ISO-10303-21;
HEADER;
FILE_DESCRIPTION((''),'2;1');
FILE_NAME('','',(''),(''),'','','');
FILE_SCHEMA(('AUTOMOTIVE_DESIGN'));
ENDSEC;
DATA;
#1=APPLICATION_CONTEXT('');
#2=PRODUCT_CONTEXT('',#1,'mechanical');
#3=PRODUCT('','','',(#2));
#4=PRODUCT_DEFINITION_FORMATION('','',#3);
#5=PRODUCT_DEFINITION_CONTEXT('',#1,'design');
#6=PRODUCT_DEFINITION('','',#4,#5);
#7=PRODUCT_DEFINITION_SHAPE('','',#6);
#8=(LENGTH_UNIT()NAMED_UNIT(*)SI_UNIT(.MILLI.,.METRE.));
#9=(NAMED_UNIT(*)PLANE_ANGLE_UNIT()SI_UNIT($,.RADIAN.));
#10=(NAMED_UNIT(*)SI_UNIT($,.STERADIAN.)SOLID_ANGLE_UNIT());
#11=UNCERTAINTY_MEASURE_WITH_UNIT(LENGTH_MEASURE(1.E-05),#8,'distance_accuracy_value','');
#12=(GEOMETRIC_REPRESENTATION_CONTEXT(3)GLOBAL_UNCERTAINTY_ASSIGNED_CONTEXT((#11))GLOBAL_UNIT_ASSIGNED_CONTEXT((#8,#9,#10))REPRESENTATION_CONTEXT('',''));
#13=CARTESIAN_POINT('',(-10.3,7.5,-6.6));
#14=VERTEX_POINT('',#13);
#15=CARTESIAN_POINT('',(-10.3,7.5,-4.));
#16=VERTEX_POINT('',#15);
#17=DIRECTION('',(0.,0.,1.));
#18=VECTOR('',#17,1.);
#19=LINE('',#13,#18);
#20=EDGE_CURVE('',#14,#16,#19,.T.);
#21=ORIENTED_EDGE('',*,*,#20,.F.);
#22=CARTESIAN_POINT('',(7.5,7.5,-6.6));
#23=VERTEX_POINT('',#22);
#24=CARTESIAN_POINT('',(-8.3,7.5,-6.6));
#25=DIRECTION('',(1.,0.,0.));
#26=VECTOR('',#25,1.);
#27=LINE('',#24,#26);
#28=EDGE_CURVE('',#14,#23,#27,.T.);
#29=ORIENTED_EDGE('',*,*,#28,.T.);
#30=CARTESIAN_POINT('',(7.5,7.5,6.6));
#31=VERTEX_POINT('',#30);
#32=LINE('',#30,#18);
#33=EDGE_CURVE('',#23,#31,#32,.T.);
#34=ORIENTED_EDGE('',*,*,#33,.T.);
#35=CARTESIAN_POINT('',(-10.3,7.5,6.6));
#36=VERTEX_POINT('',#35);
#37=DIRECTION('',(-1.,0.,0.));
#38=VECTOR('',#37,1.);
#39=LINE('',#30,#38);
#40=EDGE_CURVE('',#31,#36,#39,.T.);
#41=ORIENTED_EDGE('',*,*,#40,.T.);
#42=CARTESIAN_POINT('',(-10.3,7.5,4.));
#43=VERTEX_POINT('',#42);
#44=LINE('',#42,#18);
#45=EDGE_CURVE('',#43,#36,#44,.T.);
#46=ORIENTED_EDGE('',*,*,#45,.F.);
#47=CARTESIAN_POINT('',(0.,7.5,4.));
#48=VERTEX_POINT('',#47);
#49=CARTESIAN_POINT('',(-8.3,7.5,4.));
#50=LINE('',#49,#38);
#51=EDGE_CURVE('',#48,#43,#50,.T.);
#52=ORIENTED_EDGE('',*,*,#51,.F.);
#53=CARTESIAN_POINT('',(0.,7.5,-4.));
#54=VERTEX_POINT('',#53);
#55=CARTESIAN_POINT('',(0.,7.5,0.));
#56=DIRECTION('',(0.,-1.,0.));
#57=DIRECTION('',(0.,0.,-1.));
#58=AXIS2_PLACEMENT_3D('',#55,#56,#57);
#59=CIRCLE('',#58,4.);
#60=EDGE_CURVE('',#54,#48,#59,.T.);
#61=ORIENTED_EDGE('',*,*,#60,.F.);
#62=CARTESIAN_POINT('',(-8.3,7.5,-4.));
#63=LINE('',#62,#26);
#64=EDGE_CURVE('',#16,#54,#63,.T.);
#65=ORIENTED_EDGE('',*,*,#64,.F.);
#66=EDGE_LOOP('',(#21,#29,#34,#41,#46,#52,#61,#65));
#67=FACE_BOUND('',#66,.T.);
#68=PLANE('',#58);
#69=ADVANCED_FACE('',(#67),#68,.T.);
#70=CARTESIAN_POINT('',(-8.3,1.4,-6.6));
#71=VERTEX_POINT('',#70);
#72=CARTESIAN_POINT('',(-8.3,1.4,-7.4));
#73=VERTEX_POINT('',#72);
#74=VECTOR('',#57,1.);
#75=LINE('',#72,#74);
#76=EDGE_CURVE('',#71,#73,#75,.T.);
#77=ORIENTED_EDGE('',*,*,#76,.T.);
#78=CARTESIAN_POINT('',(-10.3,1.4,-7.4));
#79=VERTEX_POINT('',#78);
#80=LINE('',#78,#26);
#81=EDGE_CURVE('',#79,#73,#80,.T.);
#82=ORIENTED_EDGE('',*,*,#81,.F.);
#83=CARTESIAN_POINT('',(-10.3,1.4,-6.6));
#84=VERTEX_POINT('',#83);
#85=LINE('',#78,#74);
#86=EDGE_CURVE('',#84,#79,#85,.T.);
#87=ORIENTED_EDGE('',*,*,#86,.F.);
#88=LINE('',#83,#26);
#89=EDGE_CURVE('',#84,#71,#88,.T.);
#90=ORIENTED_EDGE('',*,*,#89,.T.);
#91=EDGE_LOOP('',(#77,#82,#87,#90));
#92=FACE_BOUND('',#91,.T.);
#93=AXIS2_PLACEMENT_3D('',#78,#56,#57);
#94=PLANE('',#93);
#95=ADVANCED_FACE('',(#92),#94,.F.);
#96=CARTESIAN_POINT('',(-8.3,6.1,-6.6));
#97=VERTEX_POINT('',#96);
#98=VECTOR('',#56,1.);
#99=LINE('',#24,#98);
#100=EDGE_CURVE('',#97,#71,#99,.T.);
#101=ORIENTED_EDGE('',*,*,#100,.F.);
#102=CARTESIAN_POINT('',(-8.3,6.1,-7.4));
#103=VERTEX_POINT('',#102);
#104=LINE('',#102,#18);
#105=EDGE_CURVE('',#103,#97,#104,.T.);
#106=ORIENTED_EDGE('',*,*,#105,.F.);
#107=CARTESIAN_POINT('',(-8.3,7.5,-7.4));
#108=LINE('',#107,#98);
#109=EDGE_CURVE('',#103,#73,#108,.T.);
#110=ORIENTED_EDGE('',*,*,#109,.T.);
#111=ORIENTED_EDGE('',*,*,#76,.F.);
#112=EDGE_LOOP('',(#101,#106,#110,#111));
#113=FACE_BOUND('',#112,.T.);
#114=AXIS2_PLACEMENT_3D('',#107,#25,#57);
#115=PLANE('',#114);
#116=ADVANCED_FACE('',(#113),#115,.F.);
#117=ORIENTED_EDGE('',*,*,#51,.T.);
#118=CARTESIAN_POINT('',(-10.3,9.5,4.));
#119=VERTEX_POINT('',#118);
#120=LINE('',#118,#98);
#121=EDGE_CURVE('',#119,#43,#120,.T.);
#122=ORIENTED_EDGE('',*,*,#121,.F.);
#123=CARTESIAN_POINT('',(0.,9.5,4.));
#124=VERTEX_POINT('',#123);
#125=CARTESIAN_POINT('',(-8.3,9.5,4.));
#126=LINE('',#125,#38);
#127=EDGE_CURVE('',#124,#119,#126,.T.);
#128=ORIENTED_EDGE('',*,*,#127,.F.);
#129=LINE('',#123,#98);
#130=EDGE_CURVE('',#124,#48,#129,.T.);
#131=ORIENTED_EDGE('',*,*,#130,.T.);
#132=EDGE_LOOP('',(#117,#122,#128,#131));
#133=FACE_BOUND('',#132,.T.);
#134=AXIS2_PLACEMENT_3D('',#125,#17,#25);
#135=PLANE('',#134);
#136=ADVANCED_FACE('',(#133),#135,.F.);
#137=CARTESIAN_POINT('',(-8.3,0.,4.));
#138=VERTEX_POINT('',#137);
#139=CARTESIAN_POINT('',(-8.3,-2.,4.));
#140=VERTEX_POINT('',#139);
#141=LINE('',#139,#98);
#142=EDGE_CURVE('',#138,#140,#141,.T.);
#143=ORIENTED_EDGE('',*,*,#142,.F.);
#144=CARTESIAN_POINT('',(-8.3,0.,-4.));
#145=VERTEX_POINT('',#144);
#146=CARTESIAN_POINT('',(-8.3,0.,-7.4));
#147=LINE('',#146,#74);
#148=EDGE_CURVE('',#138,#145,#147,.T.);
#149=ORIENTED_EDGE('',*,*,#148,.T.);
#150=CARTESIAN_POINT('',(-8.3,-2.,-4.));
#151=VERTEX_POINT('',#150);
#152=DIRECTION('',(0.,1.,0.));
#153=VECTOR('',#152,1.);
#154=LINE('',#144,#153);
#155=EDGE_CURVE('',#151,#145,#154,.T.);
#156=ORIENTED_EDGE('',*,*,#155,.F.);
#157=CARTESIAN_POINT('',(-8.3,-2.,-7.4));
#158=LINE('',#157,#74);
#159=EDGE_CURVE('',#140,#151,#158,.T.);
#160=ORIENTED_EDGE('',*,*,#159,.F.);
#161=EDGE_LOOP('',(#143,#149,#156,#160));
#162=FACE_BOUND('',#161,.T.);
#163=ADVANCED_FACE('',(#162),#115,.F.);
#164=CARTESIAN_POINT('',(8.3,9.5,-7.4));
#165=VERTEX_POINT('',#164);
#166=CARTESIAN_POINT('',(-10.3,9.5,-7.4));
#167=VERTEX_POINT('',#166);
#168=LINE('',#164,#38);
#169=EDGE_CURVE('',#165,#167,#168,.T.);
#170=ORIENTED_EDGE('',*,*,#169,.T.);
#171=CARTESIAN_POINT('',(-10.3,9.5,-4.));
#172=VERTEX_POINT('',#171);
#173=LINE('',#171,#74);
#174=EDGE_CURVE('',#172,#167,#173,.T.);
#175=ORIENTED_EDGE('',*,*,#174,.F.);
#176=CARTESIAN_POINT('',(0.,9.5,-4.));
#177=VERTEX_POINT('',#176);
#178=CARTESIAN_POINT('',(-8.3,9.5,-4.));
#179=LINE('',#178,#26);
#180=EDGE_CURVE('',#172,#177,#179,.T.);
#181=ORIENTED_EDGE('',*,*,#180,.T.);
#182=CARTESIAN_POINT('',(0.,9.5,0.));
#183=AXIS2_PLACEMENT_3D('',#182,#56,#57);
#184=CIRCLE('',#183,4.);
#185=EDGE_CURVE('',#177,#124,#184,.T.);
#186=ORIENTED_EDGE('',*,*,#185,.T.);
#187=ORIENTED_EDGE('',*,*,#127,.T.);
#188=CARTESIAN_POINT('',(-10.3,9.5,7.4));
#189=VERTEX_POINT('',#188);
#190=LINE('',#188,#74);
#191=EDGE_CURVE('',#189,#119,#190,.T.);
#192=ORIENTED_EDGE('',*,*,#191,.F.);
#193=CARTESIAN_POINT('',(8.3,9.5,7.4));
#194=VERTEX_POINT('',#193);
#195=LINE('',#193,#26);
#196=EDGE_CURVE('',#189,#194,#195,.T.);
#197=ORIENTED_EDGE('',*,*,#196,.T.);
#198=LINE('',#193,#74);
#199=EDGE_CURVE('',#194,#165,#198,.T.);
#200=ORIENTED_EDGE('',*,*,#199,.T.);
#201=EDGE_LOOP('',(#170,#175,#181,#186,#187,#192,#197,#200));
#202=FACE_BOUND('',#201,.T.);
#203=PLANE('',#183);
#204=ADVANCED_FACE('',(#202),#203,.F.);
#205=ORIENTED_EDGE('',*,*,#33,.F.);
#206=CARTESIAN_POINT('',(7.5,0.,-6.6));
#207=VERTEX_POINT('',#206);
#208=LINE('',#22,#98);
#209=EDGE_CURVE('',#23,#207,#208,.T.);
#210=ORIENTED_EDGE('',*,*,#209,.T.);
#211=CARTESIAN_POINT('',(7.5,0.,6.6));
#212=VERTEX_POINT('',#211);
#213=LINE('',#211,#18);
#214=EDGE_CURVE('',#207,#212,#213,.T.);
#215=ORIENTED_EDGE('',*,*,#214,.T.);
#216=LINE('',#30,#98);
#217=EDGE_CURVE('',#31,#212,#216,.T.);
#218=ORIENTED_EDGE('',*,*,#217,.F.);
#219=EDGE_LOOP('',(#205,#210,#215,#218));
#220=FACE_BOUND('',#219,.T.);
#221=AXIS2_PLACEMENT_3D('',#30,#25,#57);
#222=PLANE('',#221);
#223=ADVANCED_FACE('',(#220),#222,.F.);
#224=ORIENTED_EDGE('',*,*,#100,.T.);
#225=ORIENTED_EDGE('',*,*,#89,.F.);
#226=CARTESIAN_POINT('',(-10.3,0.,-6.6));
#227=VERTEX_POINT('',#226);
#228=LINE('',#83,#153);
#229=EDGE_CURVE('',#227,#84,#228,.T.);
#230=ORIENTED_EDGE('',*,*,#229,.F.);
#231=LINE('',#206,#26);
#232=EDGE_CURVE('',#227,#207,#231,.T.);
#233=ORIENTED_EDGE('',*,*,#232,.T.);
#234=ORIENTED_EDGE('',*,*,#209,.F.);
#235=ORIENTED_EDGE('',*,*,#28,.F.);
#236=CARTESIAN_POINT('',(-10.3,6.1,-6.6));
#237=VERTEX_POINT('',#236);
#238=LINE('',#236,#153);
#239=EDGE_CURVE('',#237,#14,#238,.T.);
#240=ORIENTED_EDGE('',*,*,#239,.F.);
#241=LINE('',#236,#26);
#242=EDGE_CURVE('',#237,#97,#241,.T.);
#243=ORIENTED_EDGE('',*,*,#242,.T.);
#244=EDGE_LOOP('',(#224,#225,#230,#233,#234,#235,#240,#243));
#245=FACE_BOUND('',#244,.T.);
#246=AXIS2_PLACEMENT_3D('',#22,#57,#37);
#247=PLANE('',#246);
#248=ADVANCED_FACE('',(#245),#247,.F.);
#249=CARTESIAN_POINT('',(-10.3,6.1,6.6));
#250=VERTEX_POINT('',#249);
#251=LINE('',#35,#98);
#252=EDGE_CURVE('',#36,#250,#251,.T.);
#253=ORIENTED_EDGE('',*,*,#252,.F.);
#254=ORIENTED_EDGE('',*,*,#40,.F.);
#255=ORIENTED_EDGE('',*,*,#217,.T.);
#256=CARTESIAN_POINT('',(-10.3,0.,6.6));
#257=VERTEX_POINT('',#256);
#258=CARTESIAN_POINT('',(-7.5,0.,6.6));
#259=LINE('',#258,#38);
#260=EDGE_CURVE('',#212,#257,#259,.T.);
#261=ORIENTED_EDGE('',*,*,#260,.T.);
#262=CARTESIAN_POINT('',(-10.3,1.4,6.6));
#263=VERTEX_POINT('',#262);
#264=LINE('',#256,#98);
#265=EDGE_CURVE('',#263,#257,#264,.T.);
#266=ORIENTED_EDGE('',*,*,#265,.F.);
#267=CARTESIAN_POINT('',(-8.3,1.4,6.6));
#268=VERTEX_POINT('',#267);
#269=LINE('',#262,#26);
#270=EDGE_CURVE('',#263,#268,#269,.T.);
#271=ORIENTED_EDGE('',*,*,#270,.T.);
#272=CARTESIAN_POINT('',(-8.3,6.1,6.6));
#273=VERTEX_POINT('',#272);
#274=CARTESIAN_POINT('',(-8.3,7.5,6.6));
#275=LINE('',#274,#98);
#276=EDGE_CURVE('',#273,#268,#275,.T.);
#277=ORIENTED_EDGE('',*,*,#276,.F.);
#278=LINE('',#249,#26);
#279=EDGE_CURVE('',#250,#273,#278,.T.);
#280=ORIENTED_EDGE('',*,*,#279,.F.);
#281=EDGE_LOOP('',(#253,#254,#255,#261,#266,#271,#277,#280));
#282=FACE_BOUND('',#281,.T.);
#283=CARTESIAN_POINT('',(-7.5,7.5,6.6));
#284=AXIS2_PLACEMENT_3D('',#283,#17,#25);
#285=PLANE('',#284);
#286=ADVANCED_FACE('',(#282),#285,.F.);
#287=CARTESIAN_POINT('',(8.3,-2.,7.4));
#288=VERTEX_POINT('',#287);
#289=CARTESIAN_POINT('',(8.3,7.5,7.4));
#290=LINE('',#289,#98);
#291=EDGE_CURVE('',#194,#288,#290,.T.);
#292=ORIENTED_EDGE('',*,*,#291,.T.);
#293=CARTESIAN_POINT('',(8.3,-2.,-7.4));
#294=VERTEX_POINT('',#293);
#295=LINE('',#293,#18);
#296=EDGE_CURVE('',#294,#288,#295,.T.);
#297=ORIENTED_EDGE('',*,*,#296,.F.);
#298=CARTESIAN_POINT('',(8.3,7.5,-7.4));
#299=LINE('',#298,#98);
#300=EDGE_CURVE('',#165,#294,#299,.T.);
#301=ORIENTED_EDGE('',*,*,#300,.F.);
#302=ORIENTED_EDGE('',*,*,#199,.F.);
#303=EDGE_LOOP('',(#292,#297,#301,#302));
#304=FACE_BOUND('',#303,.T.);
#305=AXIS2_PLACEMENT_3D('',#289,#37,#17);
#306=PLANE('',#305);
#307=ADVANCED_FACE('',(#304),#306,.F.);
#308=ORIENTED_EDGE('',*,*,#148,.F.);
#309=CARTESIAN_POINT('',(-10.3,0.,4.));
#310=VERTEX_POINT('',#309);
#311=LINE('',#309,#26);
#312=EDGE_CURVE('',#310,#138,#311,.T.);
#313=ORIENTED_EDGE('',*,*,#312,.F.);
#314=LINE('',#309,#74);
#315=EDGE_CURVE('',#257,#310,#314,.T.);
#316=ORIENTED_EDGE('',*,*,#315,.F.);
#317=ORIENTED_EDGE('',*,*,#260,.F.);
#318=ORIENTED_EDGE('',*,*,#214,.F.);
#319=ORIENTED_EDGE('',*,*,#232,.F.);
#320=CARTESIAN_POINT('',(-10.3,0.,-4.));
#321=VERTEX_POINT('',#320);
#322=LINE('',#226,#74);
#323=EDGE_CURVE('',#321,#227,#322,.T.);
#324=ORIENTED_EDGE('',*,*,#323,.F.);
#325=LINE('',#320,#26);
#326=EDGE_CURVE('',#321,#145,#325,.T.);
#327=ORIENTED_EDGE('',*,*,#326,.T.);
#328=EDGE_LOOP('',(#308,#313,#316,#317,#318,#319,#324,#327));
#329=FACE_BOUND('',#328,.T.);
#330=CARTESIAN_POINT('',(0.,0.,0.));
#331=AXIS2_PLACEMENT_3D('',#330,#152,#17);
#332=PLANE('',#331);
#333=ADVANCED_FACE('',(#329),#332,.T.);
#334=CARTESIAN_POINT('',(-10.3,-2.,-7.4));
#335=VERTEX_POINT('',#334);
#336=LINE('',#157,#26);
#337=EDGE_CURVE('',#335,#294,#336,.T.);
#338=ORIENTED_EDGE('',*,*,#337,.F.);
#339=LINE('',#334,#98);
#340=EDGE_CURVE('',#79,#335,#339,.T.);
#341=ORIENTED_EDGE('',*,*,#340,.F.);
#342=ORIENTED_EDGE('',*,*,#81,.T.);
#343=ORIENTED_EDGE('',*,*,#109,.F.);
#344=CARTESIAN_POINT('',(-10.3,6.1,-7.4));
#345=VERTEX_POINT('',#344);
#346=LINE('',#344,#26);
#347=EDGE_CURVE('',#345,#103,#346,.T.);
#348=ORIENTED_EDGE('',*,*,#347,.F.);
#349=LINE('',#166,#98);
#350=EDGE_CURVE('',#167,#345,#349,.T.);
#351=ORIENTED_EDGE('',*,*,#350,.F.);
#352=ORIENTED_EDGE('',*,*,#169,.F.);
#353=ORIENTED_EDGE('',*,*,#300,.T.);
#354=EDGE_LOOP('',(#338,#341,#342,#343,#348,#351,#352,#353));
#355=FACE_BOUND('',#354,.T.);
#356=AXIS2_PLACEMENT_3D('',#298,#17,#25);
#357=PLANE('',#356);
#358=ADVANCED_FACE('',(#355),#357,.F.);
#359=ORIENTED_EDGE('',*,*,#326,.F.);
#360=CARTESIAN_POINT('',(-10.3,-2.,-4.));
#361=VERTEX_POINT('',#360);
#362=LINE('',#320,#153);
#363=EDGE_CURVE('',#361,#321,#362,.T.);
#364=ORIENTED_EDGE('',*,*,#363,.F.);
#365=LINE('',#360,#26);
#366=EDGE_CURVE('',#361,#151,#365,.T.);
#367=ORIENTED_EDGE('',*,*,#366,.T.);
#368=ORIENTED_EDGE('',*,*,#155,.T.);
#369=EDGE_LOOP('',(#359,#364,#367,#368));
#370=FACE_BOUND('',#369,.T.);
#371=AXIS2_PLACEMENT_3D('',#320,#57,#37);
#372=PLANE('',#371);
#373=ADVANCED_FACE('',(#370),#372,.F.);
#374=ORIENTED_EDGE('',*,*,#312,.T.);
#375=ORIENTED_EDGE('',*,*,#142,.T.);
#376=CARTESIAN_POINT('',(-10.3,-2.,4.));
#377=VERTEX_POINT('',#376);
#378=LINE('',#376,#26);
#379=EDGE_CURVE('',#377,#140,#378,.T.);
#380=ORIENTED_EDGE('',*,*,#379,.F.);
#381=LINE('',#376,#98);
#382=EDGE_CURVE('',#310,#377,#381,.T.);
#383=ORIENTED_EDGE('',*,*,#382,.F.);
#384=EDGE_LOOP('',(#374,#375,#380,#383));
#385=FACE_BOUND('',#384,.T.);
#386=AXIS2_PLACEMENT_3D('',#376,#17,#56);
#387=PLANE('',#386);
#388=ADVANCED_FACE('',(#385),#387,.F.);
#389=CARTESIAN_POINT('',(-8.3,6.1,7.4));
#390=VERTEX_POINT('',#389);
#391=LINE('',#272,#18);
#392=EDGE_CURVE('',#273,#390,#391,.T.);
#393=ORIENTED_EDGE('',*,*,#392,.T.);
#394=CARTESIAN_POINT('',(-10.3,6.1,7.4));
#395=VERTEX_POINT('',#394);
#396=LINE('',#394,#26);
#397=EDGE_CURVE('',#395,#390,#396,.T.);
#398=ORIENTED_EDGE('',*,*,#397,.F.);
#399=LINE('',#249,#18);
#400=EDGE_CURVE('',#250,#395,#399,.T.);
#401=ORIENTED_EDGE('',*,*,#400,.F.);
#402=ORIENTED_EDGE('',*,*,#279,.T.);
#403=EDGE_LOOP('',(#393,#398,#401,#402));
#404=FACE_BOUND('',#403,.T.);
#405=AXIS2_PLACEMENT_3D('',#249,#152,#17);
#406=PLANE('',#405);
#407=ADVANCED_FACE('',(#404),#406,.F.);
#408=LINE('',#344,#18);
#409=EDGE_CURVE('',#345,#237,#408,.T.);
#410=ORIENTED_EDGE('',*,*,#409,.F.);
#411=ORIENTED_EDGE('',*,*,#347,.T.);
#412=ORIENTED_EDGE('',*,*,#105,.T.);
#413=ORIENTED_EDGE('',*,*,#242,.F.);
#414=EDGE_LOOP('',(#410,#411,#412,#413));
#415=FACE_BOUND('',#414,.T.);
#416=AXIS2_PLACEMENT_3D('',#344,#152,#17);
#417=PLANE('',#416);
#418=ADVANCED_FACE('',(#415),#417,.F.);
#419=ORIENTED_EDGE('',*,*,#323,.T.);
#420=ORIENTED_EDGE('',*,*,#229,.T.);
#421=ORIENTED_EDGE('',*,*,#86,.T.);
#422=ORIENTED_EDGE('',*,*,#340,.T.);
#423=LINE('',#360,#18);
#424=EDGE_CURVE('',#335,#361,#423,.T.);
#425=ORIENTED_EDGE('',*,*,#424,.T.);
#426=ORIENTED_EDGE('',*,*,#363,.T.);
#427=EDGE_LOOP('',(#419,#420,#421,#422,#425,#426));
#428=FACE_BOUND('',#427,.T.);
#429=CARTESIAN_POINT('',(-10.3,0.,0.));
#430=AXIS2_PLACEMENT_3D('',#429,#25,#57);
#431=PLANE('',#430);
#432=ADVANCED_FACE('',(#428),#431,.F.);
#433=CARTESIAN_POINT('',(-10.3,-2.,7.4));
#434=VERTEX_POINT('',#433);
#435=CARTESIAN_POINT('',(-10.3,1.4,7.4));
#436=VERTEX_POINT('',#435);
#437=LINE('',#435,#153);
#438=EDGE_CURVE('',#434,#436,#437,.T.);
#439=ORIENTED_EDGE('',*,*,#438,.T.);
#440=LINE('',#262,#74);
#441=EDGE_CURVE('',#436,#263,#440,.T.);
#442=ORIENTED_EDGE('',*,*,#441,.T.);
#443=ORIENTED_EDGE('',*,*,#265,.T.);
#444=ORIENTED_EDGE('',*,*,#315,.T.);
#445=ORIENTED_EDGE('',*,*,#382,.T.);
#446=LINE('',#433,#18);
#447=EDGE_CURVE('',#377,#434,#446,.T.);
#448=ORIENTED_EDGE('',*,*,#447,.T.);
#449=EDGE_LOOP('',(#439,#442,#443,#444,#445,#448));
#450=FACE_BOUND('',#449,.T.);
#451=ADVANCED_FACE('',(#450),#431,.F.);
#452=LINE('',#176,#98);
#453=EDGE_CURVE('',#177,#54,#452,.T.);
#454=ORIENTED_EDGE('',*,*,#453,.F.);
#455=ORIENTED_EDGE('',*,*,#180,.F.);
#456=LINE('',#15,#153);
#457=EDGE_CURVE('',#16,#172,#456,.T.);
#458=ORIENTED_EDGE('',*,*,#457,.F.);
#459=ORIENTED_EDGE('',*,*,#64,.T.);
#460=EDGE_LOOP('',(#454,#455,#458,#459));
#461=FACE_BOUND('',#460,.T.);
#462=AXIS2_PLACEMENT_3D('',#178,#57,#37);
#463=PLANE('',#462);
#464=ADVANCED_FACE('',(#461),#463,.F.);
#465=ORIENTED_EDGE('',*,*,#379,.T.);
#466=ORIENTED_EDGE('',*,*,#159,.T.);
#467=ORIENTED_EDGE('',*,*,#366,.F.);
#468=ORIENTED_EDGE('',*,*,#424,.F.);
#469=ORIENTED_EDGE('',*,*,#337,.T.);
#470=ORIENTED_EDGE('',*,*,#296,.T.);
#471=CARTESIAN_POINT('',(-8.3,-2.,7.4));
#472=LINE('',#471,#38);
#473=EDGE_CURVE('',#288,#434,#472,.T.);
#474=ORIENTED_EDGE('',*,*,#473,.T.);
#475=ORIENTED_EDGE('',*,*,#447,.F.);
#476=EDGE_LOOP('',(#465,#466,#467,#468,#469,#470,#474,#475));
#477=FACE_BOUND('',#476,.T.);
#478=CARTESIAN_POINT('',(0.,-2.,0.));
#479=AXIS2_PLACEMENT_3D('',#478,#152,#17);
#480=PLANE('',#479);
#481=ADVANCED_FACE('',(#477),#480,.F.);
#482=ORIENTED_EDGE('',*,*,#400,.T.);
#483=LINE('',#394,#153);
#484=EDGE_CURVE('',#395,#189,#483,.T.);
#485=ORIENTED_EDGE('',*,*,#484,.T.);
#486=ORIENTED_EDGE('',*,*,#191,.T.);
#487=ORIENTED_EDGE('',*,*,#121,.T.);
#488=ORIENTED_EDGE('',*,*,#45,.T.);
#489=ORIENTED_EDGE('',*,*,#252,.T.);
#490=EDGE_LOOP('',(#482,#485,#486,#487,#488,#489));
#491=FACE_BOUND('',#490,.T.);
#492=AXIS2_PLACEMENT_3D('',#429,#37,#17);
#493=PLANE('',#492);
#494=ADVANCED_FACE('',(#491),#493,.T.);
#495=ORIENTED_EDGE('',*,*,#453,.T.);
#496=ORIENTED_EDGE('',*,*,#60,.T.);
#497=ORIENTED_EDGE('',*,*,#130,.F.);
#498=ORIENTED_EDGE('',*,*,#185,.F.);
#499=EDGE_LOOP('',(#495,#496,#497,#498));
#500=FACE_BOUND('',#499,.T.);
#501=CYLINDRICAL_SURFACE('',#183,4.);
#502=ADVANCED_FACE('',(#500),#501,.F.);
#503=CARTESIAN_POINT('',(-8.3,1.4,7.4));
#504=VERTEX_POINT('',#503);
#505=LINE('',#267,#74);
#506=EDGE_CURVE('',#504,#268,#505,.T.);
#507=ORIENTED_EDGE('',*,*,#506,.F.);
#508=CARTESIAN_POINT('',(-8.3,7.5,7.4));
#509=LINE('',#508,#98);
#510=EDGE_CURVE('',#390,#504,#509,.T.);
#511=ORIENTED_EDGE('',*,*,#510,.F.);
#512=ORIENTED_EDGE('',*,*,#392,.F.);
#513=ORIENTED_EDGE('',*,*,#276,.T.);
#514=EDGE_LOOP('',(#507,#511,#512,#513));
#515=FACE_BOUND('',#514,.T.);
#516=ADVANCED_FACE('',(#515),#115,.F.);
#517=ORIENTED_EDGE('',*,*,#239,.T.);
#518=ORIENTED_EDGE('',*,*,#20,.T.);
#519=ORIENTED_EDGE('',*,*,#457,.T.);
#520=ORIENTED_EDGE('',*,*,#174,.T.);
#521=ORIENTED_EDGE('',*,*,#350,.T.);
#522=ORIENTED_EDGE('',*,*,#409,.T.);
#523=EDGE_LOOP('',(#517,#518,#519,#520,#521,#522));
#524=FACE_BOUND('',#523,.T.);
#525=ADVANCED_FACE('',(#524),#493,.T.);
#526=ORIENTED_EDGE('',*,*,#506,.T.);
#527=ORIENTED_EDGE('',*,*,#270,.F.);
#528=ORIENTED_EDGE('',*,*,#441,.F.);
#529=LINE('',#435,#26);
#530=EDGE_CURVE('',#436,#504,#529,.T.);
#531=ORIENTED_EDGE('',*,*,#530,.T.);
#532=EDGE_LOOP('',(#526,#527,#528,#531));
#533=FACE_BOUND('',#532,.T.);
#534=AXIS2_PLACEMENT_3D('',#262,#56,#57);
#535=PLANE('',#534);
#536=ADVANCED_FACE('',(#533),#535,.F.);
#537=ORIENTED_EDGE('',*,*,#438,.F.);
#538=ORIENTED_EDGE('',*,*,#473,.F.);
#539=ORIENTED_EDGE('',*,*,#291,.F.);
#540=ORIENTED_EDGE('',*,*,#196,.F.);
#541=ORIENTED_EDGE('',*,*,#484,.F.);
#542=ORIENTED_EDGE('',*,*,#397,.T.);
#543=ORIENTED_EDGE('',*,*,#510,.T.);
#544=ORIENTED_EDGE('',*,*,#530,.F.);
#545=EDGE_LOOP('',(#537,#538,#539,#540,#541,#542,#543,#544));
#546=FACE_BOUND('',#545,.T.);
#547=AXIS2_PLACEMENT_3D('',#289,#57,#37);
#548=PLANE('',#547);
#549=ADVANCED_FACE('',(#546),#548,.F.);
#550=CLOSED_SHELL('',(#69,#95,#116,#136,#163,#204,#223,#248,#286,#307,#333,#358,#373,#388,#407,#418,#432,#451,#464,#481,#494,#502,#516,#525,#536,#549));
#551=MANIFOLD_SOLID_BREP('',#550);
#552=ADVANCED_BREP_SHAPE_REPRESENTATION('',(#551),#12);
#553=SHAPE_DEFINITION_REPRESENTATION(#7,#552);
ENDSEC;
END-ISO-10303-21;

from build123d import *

# Parameters (mm, degrees)
BOSS_EXTRUDE1_DEPTH = 7.5
SKETCH4_W           = 16.6
SKETCH4_H           = 14.8
BOSS_EXTRUDE2_DEPTH = 2
BOSS_EXTRUDE3_DEPTH = 2
BOSS_EXTRUDE6_DEPTH = 2


with BuildPart() as part:
    # Sketch3 → Boss-Extrude1 (new body)
    with BuildSketch(Plane(origin=(0, 0, 0), x_dir=(1, 0, 0), z_dir=(0, 1, 0))):
        Polygon((8.3, -7.4), (8.3, 7.4), (-8.3, 7.4), (-8.3, 6.6), (-7.5, 6.6), (7.5, 6.6), (7.5, -6.6), (-7.5, -6.6), (-8.3, -6.6), (-8.3, -7.4), align=None)
    extrude(amount=BOSS_EXTRUDE1_DEPTH)

    # Sketch4 → Boss-Extrude2 (add)
    with BuildSketch(Plane.XZ):
        Rectangle(SKETCH4_W, SKETCH4_H)
    extrude(amount=BOSS_EXTRUDE2_DEPTH)

    # Sketch5 → Boss-Extrude3 (add)
    with BuildSketch(Plane(origin=(0, 7.5, 0), x_dir=(1, 0, 0), z_dir=(0, 1, 0))):
        with BuildLine():
            Line((-8.3, 4), (0, 4))
            ThreePointArc((0, 4), (4, 0), (0, -4))
            Line((0, -4), (-8.3, -4))
            Line((-8.3, -4), (-8.3, -7.4))
            Line((-8.3, -7.4), (8.3, -7.4))
            Line((8.3, -7.4), (8.3, 7.4))
            Line((8.3, 7.4), (-8.3, 7.4))
            Line((-8.3, 7.4), (-8.3, 4))
        make_face()
    extrude(amount=BOSS_EXTRUDE3_DEPTH)

    # Sketch8 → Boss-Extrude6 (add)
    with BuildSketch(Plane.ZY.offset(8.3)):
        Polygon((-4, 9.5), (-7.4, 9.5), (-7.4, 6.1), (-6.6, 6.1), (-6.6, 7.5), (-4, 7.5), align=None)
        Polygon((4, 9.5), (4, 7.5), (6.6, 7.5), (6.6, 6.1), (7.4, 6.1), (7.4, 9.5), align=None)
        Polygon((6.6, 1.4), (7.4, 1.4), (7.4, -2), (4, -2), (4, 0), (6.6, 0), align=None)
        Polygon((-7.4, 1.4), (-6.6, 1.4), (-6.6, 0), (-4, 0), (-4, -2), (-7.4, -2), align=None)
    extrude(amount=BOSS_EXTRUDE6_DEPTH)


solid = part.part
